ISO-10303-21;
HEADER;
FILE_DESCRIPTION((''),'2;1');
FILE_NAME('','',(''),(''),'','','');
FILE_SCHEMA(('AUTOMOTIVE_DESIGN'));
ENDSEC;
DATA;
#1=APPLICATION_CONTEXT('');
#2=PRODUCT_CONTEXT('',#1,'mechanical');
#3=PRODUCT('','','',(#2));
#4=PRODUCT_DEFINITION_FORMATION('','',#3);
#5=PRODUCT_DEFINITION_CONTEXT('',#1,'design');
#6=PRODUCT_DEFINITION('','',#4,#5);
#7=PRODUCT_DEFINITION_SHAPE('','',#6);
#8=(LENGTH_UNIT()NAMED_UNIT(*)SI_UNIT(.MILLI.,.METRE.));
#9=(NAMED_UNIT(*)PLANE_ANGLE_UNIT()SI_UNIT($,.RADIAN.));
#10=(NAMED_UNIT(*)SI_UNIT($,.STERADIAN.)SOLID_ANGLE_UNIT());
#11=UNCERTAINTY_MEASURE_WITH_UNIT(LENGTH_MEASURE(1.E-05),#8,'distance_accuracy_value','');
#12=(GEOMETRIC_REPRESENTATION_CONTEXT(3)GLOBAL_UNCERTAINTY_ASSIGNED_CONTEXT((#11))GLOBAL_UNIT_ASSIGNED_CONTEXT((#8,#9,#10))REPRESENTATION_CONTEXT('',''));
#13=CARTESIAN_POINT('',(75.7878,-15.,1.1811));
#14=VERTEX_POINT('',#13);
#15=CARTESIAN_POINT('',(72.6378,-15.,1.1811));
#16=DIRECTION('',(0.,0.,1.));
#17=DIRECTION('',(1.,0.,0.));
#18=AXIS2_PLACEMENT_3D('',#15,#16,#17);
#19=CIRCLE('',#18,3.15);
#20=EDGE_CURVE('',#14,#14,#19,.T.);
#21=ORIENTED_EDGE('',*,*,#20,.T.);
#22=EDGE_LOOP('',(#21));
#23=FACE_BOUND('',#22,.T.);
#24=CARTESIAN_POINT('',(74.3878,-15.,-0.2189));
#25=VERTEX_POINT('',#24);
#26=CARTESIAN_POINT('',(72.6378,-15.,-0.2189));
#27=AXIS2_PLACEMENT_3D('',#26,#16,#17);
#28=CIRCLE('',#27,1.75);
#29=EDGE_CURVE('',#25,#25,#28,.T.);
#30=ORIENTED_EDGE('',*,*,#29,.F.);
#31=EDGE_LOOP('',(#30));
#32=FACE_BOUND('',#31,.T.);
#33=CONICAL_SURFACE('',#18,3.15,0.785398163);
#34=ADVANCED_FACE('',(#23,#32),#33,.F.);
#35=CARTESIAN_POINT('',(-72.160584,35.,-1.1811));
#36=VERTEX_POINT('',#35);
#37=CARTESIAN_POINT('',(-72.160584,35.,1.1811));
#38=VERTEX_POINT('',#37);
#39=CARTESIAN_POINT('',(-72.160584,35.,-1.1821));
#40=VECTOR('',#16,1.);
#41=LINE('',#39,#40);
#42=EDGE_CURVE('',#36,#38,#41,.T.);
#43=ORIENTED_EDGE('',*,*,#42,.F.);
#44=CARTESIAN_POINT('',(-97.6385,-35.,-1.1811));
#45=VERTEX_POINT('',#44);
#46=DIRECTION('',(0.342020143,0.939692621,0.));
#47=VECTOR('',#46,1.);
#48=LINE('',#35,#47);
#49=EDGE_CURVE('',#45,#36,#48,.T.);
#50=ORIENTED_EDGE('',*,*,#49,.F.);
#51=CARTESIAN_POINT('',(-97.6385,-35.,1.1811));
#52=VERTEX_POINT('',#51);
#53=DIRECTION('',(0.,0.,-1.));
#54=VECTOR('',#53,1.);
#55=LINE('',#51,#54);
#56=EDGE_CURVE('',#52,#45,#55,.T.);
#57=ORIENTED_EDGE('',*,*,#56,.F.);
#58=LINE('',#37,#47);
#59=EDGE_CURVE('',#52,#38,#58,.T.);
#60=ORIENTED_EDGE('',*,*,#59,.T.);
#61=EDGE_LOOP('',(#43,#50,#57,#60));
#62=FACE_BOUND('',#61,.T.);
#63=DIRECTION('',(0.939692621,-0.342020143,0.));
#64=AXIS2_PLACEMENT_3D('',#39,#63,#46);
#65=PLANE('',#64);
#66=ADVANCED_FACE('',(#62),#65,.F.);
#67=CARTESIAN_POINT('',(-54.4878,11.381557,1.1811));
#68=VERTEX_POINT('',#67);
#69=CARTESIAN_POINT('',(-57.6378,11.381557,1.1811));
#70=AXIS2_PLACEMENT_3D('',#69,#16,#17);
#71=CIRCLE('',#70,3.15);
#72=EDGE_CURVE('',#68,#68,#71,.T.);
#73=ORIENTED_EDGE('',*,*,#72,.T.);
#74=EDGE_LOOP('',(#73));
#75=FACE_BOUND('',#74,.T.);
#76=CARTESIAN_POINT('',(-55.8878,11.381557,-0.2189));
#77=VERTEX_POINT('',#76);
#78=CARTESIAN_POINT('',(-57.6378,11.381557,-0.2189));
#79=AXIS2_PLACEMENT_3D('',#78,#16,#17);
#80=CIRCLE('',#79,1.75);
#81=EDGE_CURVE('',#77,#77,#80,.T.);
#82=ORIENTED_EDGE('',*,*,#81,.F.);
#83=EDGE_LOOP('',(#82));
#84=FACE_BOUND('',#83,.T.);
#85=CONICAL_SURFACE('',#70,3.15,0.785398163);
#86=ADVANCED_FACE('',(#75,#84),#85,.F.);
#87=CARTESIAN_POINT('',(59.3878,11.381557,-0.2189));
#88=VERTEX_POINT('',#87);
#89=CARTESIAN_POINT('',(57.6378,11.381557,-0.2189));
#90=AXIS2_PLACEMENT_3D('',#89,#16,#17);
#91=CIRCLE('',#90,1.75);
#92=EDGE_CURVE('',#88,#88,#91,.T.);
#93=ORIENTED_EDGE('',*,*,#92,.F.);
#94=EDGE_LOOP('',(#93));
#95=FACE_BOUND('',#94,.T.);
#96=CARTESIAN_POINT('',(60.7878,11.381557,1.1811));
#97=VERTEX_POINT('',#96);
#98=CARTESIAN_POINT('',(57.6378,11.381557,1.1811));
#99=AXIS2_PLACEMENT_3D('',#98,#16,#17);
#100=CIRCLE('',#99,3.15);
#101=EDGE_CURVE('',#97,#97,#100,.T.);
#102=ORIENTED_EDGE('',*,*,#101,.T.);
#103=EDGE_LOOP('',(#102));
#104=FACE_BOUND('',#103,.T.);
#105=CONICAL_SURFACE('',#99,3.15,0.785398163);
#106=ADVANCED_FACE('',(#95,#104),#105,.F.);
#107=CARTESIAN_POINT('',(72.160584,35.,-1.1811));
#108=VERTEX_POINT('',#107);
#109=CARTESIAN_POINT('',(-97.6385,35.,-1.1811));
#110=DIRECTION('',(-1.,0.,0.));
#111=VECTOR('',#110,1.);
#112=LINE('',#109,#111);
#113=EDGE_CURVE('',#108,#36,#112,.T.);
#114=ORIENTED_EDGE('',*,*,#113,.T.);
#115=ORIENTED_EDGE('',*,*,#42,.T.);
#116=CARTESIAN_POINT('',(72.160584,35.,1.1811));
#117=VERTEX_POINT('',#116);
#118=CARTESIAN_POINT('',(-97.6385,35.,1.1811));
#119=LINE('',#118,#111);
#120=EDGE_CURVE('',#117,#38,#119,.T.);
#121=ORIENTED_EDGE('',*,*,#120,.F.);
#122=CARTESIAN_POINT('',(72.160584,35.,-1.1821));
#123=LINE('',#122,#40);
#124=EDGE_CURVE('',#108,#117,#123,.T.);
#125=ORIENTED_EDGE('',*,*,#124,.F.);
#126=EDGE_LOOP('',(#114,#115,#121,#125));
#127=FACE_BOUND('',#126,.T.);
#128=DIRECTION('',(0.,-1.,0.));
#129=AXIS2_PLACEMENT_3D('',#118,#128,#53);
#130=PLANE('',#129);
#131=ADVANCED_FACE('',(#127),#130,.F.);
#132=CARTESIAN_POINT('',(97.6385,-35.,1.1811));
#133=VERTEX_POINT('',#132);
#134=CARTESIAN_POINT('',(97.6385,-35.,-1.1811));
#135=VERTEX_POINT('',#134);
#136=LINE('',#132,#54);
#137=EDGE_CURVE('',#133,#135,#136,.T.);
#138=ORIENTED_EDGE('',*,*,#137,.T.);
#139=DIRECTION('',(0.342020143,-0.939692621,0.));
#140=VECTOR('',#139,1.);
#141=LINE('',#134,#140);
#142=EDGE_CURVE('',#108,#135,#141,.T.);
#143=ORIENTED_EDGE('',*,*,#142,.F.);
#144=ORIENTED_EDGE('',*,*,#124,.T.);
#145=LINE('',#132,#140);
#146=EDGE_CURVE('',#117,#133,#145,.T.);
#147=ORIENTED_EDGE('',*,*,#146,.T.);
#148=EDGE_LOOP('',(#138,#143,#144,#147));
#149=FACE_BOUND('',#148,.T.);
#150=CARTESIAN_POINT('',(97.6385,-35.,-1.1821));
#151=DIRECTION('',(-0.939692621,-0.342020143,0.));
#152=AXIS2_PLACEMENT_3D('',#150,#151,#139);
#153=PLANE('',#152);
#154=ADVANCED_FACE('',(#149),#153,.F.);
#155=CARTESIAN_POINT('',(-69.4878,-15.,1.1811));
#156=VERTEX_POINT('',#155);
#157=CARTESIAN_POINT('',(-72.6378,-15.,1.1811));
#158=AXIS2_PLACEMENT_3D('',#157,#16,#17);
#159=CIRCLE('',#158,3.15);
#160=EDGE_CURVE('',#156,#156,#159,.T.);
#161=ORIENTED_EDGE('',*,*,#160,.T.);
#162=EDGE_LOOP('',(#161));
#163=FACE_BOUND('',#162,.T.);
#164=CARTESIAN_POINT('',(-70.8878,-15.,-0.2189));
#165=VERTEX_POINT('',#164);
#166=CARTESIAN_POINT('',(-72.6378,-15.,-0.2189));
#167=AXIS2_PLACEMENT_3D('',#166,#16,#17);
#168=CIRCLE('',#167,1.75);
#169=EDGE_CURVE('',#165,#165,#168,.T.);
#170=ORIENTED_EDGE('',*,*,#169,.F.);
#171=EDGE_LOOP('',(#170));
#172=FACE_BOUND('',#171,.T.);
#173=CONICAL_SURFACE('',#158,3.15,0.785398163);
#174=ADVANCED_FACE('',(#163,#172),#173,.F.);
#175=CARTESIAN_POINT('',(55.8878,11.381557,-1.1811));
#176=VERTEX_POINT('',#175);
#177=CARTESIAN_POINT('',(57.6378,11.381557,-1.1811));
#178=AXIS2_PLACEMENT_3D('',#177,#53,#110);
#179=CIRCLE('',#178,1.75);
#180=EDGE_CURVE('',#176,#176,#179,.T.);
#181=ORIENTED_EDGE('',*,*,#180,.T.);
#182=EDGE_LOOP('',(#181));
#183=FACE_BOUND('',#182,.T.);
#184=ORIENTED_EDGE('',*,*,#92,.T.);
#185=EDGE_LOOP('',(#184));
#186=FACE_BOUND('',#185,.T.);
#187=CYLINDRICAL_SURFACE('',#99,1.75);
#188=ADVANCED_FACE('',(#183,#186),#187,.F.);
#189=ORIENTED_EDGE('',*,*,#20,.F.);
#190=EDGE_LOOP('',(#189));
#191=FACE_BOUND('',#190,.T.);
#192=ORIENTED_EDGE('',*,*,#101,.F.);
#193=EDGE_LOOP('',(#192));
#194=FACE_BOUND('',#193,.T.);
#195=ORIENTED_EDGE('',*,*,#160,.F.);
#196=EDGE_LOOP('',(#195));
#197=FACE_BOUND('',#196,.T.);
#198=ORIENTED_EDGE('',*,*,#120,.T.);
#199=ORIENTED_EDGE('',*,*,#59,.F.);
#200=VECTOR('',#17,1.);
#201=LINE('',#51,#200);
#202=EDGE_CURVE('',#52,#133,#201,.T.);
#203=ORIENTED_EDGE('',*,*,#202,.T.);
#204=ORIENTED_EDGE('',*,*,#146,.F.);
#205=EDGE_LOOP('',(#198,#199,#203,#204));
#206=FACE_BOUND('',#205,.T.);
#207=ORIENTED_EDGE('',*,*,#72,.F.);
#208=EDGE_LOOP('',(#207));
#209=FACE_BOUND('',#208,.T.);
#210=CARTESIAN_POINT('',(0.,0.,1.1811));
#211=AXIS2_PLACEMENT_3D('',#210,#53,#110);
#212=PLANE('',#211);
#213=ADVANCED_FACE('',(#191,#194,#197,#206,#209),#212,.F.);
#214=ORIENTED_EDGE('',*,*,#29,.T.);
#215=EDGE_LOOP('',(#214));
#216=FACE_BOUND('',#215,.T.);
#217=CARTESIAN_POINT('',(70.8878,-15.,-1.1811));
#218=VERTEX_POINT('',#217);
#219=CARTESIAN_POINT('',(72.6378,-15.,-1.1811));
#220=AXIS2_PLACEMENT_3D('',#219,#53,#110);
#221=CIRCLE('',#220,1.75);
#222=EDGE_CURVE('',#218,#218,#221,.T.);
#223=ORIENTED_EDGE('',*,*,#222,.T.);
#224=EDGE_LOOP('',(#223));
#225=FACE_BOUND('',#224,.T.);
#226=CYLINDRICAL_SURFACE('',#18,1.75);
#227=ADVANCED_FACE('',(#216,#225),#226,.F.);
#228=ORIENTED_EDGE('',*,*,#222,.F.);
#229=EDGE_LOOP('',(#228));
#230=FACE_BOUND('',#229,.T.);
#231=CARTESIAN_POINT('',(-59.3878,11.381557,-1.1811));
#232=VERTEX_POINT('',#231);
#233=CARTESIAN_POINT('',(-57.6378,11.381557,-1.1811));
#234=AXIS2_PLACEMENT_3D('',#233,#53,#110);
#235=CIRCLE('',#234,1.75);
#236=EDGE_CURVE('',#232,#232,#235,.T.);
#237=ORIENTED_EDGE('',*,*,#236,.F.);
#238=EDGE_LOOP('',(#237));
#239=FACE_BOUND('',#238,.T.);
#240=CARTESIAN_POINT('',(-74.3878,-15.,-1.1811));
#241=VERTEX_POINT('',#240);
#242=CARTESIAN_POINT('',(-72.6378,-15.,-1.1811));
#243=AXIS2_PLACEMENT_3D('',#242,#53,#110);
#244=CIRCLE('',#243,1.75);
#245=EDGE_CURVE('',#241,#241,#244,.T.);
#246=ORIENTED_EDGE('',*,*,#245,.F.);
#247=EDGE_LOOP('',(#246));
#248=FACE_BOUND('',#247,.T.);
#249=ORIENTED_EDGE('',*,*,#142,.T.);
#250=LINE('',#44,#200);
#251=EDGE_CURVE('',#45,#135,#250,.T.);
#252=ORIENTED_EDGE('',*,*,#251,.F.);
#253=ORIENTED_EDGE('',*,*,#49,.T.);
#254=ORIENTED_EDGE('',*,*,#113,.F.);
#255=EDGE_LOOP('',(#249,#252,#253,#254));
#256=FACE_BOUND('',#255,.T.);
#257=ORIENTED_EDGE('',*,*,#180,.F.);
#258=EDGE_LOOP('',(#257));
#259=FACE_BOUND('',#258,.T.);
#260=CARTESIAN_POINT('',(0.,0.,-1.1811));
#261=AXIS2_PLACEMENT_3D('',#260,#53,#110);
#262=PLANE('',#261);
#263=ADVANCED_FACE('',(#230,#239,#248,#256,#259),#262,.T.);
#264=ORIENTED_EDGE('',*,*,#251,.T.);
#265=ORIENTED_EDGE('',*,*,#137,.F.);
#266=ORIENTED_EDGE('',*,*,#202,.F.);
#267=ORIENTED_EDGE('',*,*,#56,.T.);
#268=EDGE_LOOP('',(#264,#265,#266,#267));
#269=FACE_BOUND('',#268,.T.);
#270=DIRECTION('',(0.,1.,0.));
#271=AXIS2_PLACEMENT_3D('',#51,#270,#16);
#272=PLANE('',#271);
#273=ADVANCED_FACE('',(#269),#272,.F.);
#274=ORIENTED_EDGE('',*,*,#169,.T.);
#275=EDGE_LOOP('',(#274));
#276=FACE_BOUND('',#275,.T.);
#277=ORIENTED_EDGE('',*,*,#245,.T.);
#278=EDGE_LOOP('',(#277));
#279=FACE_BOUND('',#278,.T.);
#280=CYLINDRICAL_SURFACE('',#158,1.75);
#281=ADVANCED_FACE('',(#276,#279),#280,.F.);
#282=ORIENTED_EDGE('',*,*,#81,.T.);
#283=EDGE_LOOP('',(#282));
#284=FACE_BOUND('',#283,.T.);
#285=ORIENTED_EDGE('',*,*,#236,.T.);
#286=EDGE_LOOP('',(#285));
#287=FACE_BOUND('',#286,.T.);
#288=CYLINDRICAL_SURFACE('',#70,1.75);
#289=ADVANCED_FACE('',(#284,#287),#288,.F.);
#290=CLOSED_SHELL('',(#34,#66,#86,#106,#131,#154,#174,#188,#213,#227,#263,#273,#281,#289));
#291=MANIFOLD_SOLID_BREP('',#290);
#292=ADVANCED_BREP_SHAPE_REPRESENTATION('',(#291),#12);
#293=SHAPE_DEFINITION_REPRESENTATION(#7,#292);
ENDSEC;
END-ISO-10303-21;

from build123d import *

# Parameters (mm, degrees)
SKETCH1_W                = 195.277
SKETCH1_H                = 70
MAIN_DEPTH               = 1.1811
ANGLECUTS_REACH          = 105.749
BRACKETHOLES_D           = 3.5
BRACKETHOLES_DEPTH       = 5
BRACKETHOLES_CSINK_D     = 6.3
BRACKETHOLES_CSINK_ANGLE = 90


with BuildPart() as part:
    # Sketch1 → Main (new, symmetric)
    with BuildSketch(Plane.XY):
        Rectangle(SKETCH1_W, SKETCH1_H)
    extrude(amount=MAIN_DEPTH, both=True)

    # Sketch2 → AngleCuts (cut, up to next)
    with BuildSketch(Plane.XY.offset(1.1811), mode=Mode.PRIVATE) as anglecuts_sk1:
        Polygon((-97.6385, 35), (-72.160583601, 35), (-97.6385, -35), align=None)
    anglecuts_tool1 = extrude(anglecuts_sk1.sketch, amount=-ANGLECUTS_REACH, mode=Mode.PRIVATE) & part.part
    # Sketch2 → AngleCuts (cut, up to next)
    with BuildSketch(Plane.XY.offset(1.1811), mode=Mode.PRIVATE) as anglecuts_sk2:
        Polygon((97.6385, 35), (97.6385, -35), (72.160583601, 35), align=None)
    anglecuts_tool2 = extrude(anglecuts_sk2.sketch, amount=-ANGLECUTS_REACH, mode=Mode.PRIVATE) & part.part
    add(anglecuts_tool1.solids().sort_by_distance((-89.145861, 11.666667, 1.1811))[0], mode=Mode.SUBTRACT)
    add(anglecuts_tool2.solids().sort_by_distance((89.145861, 11.666667, 1.1811))[0], mode=Mode.SUBTRACT)

    # BracketHoles
    with Locations(Plane.XY.offset(1.1811)):
        with Locations((-72.6378, -15), (-57.6378, 11.3815573), (57.6378, 11.3815573), (72.6378, -15)):
            CounterSinkHole(BRACKETHOLES_D / 2, BRACKETHOLES_CSINK_D / 2, depth=BRACKETHOLES_DEPTH, counter_sink_angle=BRACKETHOLES_CSINK_ANGLE)


solid = part.part
